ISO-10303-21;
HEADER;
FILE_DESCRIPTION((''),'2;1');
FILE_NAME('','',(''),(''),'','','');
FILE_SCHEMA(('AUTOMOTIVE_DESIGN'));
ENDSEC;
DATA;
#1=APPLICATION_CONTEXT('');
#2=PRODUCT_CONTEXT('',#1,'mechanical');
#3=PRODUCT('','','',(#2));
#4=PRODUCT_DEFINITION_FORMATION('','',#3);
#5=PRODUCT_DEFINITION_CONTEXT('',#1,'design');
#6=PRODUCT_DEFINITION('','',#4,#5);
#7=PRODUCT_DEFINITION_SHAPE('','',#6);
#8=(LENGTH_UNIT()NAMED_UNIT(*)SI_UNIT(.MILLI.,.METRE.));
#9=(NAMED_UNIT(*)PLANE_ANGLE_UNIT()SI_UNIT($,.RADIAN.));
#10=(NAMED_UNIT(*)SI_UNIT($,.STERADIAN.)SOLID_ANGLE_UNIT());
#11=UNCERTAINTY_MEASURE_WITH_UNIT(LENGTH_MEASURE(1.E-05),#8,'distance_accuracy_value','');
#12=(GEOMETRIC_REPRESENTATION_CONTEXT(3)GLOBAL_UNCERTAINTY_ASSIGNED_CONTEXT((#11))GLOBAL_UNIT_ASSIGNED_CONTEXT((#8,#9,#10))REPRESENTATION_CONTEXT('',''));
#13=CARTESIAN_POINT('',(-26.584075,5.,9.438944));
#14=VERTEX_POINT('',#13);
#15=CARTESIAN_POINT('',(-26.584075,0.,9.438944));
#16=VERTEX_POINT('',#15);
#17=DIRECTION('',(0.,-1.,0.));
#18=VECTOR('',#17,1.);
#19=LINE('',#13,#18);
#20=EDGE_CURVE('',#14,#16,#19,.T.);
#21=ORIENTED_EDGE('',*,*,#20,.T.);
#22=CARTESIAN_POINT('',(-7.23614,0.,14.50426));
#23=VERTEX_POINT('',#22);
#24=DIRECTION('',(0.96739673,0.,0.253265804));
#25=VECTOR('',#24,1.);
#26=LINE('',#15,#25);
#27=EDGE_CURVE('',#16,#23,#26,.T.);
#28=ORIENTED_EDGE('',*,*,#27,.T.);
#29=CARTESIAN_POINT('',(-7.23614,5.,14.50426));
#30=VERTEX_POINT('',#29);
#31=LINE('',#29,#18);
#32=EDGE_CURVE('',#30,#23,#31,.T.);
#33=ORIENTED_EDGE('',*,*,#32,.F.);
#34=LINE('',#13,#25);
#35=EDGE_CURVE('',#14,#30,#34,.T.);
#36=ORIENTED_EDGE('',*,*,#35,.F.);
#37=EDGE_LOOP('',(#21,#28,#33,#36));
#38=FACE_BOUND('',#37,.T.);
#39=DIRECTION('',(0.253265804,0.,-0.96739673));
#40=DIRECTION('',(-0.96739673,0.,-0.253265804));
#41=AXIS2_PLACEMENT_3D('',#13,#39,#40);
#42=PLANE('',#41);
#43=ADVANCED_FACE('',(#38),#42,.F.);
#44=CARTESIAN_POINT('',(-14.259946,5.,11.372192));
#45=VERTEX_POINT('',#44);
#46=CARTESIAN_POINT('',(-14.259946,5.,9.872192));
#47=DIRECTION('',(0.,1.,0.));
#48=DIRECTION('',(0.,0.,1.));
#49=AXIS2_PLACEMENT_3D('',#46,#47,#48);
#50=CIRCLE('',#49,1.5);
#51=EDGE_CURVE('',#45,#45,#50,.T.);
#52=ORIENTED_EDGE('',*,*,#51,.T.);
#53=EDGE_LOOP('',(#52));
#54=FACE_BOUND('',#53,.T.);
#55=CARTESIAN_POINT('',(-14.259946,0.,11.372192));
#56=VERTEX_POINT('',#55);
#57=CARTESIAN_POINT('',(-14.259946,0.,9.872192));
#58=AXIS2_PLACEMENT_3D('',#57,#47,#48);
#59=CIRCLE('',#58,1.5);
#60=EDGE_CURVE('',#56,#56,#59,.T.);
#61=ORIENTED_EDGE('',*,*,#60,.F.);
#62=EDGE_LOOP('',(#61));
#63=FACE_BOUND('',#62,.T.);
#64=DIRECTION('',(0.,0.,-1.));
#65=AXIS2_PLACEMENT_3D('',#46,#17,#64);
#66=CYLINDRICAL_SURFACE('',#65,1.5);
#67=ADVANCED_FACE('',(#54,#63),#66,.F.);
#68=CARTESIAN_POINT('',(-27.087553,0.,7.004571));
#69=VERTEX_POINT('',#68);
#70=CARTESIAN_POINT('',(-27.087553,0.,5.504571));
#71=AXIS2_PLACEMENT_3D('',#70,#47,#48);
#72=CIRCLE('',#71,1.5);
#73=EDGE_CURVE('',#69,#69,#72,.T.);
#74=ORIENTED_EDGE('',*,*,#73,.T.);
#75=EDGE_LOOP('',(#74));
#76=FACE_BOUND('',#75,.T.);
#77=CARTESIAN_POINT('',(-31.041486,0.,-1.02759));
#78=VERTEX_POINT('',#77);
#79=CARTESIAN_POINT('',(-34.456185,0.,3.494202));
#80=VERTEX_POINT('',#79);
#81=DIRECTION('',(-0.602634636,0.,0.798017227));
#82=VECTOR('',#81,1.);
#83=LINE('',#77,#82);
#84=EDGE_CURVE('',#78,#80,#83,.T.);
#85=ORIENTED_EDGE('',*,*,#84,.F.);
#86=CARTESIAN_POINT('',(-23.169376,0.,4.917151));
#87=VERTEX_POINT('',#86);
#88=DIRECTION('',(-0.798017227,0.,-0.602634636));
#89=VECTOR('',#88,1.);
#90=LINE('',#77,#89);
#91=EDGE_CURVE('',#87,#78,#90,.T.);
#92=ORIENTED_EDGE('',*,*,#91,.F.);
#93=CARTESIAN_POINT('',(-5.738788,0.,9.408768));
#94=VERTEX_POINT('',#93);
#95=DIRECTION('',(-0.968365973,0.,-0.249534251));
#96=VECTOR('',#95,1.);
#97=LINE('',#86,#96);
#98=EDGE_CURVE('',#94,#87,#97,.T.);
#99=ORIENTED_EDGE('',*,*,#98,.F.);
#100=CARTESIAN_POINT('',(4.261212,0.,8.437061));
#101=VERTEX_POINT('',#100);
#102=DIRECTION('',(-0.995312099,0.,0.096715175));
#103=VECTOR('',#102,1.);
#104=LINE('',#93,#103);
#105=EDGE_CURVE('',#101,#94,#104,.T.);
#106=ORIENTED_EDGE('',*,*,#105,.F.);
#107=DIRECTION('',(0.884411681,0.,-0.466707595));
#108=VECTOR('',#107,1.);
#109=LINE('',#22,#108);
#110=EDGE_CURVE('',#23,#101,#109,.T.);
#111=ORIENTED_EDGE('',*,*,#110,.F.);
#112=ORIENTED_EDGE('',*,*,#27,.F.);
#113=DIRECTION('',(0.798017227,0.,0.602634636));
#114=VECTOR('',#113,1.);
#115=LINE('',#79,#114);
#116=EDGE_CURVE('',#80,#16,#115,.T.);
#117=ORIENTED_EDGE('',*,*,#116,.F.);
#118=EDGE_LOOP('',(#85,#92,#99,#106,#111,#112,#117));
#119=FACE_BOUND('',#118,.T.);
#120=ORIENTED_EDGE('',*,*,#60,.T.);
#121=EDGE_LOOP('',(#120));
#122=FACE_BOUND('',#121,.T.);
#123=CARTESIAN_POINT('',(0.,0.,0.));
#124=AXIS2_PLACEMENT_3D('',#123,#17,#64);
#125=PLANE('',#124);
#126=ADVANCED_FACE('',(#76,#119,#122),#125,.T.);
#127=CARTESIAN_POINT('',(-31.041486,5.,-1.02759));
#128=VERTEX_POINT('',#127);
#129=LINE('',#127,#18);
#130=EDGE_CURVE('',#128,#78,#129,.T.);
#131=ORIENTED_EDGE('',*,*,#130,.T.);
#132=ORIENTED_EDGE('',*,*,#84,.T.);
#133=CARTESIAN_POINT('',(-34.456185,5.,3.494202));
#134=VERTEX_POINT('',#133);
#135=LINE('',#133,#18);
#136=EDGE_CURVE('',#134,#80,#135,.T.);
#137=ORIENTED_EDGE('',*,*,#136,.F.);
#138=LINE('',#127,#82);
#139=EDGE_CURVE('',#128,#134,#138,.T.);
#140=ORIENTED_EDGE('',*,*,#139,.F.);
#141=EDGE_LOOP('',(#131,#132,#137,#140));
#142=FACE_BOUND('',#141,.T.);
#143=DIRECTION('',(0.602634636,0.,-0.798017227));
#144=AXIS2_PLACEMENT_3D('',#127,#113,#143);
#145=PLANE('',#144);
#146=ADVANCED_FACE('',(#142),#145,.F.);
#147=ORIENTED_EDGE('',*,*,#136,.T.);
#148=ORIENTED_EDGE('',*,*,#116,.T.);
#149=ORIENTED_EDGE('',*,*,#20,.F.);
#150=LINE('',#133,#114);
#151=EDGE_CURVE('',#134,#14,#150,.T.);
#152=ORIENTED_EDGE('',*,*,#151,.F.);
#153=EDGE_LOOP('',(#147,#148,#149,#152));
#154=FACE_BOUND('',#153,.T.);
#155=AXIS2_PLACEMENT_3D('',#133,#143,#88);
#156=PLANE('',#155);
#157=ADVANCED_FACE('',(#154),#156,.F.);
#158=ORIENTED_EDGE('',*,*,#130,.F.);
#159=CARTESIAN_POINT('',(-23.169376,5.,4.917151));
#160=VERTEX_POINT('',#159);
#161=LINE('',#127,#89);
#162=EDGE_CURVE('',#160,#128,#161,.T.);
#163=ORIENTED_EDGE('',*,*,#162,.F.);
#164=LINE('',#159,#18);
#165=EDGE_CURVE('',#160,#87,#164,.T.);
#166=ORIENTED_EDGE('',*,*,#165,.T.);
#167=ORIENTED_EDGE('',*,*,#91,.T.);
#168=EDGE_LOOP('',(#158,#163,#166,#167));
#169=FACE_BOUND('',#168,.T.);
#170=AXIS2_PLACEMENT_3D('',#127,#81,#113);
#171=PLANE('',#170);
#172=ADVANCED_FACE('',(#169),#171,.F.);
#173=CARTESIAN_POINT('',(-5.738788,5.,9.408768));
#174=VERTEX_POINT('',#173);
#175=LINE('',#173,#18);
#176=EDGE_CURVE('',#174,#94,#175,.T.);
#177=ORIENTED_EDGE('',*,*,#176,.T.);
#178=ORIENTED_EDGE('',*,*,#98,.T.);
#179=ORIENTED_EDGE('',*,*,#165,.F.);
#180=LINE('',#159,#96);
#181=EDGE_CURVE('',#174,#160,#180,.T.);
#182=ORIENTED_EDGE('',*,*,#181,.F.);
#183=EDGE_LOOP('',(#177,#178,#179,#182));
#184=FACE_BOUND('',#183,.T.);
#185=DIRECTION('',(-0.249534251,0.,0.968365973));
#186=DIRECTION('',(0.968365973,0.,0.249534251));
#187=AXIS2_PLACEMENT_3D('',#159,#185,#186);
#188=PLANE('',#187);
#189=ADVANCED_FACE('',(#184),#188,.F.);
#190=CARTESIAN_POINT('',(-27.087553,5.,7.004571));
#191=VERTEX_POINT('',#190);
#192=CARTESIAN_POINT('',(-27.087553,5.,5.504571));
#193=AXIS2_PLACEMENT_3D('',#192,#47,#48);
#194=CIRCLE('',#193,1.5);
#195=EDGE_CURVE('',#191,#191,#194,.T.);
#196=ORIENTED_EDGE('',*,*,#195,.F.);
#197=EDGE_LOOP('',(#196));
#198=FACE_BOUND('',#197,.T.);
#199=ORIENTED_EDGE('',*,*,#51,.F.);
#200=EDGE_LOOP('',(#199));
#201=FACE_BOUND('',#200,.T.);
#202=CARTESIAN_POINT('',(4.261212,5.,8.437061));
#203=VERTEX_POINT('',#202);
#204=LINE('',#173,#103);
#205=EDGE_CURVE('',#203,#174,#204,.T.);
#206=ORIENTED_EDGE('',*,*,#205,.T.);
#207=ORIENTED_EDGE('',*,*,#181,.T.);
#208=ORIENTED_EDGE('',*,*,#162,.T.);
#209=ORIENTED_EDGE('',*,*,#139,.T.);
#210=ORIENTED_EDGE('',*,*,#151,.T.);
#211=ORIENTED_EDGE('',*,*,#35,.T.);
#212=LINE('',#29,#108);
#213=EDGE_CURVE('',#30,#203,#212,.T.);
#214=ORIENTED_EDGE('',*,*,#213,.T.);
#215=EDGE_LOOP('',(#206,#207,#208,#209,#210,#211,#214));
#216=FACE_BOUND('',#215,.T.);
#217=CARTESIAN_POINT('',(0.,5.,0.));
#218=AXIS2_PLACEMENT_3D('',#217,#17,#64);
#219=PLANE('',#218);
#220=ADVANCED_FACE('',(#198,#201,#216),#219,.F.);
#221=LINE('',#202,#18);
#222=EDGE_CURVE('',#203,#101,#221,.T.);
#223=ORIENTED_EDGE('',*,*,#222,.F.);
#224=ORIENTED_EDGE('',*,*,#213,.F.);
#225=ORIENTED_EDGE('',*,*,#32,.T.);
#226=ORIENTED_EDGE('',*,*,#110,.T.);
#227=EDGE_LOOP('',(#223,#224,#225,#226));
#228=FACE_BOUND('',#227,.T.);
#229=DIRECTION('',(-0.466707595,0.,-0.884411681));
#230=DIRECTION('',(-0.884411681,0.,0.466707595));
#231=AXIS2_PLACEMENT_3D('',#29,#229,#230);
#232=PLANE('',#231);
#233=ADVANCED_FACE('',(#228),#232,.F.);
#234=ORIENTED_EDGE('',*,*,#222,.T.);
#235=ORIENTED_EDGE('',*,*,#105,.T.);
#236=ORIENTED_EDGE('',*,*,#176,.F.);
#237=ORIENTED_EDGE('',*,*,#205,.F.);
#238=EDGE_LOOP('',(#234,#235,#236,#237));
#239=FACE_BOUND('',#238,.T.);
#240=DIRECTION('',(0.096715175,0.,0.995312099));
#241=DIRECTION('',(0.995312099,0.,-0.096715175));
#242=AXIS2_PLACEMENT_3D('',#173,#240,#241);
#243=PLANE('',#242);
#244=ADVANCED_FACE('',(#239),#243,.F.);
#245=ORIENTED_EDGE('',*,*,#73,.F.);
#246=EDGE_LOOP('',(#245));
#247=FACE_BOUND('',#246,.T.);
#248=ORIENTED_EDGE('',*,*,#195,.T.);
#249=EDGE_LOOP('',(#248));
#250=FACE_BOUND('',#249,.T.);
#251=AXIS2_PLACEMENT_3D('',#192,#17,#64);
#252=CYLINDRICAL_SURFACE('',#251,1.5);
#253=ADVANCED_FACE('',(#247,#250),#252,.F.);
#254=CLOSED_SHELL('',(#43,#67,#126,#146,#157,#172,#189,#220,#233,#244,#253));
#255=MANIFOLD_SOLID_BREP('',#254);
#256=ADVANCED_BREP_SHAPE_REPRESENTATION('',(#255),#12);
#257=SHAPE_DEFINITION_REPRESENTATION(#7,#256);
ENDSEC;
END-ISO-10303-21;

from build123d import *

# Parameters (mm, degrees)
SKETCH_1_R      = 1.5
EXTRUDE_1_DEPTH = 5


with BuildPart() as part:
    # 草图1 → 凸台-拉伸1 (new body)
    with BuildSketch(Plane(origin=(0, 0, 0), x_dir=(1, 0, 0), z_dir=(0, 1, 0))):
        Polygon((-34.456184954, -3.49420181), (-26.584074683, -9.438943538), (-7.236140092, -14.504259625), (4.261211757, -8.437060891), (-5.738788243, -9.408767904), (-23.169375756, -4.917151386), (-31.041486027, 1.027590342), align=None)
        with Locations(Location((-27.087553114, -5.504570551, 0), (0, 0, 270))):
            Circle(SKETCH_1_R, mode=Mode.SUBTRACT)
        with Locations(Location((-14.25994565, -9.87219173, 0), (0, 0, 270))):
            Circle(SKETCH_1_R, mode=Mode.SUBTRACT)
    extrude(amount=EXTRUDE_1_DEPTH)


solid = part.part
